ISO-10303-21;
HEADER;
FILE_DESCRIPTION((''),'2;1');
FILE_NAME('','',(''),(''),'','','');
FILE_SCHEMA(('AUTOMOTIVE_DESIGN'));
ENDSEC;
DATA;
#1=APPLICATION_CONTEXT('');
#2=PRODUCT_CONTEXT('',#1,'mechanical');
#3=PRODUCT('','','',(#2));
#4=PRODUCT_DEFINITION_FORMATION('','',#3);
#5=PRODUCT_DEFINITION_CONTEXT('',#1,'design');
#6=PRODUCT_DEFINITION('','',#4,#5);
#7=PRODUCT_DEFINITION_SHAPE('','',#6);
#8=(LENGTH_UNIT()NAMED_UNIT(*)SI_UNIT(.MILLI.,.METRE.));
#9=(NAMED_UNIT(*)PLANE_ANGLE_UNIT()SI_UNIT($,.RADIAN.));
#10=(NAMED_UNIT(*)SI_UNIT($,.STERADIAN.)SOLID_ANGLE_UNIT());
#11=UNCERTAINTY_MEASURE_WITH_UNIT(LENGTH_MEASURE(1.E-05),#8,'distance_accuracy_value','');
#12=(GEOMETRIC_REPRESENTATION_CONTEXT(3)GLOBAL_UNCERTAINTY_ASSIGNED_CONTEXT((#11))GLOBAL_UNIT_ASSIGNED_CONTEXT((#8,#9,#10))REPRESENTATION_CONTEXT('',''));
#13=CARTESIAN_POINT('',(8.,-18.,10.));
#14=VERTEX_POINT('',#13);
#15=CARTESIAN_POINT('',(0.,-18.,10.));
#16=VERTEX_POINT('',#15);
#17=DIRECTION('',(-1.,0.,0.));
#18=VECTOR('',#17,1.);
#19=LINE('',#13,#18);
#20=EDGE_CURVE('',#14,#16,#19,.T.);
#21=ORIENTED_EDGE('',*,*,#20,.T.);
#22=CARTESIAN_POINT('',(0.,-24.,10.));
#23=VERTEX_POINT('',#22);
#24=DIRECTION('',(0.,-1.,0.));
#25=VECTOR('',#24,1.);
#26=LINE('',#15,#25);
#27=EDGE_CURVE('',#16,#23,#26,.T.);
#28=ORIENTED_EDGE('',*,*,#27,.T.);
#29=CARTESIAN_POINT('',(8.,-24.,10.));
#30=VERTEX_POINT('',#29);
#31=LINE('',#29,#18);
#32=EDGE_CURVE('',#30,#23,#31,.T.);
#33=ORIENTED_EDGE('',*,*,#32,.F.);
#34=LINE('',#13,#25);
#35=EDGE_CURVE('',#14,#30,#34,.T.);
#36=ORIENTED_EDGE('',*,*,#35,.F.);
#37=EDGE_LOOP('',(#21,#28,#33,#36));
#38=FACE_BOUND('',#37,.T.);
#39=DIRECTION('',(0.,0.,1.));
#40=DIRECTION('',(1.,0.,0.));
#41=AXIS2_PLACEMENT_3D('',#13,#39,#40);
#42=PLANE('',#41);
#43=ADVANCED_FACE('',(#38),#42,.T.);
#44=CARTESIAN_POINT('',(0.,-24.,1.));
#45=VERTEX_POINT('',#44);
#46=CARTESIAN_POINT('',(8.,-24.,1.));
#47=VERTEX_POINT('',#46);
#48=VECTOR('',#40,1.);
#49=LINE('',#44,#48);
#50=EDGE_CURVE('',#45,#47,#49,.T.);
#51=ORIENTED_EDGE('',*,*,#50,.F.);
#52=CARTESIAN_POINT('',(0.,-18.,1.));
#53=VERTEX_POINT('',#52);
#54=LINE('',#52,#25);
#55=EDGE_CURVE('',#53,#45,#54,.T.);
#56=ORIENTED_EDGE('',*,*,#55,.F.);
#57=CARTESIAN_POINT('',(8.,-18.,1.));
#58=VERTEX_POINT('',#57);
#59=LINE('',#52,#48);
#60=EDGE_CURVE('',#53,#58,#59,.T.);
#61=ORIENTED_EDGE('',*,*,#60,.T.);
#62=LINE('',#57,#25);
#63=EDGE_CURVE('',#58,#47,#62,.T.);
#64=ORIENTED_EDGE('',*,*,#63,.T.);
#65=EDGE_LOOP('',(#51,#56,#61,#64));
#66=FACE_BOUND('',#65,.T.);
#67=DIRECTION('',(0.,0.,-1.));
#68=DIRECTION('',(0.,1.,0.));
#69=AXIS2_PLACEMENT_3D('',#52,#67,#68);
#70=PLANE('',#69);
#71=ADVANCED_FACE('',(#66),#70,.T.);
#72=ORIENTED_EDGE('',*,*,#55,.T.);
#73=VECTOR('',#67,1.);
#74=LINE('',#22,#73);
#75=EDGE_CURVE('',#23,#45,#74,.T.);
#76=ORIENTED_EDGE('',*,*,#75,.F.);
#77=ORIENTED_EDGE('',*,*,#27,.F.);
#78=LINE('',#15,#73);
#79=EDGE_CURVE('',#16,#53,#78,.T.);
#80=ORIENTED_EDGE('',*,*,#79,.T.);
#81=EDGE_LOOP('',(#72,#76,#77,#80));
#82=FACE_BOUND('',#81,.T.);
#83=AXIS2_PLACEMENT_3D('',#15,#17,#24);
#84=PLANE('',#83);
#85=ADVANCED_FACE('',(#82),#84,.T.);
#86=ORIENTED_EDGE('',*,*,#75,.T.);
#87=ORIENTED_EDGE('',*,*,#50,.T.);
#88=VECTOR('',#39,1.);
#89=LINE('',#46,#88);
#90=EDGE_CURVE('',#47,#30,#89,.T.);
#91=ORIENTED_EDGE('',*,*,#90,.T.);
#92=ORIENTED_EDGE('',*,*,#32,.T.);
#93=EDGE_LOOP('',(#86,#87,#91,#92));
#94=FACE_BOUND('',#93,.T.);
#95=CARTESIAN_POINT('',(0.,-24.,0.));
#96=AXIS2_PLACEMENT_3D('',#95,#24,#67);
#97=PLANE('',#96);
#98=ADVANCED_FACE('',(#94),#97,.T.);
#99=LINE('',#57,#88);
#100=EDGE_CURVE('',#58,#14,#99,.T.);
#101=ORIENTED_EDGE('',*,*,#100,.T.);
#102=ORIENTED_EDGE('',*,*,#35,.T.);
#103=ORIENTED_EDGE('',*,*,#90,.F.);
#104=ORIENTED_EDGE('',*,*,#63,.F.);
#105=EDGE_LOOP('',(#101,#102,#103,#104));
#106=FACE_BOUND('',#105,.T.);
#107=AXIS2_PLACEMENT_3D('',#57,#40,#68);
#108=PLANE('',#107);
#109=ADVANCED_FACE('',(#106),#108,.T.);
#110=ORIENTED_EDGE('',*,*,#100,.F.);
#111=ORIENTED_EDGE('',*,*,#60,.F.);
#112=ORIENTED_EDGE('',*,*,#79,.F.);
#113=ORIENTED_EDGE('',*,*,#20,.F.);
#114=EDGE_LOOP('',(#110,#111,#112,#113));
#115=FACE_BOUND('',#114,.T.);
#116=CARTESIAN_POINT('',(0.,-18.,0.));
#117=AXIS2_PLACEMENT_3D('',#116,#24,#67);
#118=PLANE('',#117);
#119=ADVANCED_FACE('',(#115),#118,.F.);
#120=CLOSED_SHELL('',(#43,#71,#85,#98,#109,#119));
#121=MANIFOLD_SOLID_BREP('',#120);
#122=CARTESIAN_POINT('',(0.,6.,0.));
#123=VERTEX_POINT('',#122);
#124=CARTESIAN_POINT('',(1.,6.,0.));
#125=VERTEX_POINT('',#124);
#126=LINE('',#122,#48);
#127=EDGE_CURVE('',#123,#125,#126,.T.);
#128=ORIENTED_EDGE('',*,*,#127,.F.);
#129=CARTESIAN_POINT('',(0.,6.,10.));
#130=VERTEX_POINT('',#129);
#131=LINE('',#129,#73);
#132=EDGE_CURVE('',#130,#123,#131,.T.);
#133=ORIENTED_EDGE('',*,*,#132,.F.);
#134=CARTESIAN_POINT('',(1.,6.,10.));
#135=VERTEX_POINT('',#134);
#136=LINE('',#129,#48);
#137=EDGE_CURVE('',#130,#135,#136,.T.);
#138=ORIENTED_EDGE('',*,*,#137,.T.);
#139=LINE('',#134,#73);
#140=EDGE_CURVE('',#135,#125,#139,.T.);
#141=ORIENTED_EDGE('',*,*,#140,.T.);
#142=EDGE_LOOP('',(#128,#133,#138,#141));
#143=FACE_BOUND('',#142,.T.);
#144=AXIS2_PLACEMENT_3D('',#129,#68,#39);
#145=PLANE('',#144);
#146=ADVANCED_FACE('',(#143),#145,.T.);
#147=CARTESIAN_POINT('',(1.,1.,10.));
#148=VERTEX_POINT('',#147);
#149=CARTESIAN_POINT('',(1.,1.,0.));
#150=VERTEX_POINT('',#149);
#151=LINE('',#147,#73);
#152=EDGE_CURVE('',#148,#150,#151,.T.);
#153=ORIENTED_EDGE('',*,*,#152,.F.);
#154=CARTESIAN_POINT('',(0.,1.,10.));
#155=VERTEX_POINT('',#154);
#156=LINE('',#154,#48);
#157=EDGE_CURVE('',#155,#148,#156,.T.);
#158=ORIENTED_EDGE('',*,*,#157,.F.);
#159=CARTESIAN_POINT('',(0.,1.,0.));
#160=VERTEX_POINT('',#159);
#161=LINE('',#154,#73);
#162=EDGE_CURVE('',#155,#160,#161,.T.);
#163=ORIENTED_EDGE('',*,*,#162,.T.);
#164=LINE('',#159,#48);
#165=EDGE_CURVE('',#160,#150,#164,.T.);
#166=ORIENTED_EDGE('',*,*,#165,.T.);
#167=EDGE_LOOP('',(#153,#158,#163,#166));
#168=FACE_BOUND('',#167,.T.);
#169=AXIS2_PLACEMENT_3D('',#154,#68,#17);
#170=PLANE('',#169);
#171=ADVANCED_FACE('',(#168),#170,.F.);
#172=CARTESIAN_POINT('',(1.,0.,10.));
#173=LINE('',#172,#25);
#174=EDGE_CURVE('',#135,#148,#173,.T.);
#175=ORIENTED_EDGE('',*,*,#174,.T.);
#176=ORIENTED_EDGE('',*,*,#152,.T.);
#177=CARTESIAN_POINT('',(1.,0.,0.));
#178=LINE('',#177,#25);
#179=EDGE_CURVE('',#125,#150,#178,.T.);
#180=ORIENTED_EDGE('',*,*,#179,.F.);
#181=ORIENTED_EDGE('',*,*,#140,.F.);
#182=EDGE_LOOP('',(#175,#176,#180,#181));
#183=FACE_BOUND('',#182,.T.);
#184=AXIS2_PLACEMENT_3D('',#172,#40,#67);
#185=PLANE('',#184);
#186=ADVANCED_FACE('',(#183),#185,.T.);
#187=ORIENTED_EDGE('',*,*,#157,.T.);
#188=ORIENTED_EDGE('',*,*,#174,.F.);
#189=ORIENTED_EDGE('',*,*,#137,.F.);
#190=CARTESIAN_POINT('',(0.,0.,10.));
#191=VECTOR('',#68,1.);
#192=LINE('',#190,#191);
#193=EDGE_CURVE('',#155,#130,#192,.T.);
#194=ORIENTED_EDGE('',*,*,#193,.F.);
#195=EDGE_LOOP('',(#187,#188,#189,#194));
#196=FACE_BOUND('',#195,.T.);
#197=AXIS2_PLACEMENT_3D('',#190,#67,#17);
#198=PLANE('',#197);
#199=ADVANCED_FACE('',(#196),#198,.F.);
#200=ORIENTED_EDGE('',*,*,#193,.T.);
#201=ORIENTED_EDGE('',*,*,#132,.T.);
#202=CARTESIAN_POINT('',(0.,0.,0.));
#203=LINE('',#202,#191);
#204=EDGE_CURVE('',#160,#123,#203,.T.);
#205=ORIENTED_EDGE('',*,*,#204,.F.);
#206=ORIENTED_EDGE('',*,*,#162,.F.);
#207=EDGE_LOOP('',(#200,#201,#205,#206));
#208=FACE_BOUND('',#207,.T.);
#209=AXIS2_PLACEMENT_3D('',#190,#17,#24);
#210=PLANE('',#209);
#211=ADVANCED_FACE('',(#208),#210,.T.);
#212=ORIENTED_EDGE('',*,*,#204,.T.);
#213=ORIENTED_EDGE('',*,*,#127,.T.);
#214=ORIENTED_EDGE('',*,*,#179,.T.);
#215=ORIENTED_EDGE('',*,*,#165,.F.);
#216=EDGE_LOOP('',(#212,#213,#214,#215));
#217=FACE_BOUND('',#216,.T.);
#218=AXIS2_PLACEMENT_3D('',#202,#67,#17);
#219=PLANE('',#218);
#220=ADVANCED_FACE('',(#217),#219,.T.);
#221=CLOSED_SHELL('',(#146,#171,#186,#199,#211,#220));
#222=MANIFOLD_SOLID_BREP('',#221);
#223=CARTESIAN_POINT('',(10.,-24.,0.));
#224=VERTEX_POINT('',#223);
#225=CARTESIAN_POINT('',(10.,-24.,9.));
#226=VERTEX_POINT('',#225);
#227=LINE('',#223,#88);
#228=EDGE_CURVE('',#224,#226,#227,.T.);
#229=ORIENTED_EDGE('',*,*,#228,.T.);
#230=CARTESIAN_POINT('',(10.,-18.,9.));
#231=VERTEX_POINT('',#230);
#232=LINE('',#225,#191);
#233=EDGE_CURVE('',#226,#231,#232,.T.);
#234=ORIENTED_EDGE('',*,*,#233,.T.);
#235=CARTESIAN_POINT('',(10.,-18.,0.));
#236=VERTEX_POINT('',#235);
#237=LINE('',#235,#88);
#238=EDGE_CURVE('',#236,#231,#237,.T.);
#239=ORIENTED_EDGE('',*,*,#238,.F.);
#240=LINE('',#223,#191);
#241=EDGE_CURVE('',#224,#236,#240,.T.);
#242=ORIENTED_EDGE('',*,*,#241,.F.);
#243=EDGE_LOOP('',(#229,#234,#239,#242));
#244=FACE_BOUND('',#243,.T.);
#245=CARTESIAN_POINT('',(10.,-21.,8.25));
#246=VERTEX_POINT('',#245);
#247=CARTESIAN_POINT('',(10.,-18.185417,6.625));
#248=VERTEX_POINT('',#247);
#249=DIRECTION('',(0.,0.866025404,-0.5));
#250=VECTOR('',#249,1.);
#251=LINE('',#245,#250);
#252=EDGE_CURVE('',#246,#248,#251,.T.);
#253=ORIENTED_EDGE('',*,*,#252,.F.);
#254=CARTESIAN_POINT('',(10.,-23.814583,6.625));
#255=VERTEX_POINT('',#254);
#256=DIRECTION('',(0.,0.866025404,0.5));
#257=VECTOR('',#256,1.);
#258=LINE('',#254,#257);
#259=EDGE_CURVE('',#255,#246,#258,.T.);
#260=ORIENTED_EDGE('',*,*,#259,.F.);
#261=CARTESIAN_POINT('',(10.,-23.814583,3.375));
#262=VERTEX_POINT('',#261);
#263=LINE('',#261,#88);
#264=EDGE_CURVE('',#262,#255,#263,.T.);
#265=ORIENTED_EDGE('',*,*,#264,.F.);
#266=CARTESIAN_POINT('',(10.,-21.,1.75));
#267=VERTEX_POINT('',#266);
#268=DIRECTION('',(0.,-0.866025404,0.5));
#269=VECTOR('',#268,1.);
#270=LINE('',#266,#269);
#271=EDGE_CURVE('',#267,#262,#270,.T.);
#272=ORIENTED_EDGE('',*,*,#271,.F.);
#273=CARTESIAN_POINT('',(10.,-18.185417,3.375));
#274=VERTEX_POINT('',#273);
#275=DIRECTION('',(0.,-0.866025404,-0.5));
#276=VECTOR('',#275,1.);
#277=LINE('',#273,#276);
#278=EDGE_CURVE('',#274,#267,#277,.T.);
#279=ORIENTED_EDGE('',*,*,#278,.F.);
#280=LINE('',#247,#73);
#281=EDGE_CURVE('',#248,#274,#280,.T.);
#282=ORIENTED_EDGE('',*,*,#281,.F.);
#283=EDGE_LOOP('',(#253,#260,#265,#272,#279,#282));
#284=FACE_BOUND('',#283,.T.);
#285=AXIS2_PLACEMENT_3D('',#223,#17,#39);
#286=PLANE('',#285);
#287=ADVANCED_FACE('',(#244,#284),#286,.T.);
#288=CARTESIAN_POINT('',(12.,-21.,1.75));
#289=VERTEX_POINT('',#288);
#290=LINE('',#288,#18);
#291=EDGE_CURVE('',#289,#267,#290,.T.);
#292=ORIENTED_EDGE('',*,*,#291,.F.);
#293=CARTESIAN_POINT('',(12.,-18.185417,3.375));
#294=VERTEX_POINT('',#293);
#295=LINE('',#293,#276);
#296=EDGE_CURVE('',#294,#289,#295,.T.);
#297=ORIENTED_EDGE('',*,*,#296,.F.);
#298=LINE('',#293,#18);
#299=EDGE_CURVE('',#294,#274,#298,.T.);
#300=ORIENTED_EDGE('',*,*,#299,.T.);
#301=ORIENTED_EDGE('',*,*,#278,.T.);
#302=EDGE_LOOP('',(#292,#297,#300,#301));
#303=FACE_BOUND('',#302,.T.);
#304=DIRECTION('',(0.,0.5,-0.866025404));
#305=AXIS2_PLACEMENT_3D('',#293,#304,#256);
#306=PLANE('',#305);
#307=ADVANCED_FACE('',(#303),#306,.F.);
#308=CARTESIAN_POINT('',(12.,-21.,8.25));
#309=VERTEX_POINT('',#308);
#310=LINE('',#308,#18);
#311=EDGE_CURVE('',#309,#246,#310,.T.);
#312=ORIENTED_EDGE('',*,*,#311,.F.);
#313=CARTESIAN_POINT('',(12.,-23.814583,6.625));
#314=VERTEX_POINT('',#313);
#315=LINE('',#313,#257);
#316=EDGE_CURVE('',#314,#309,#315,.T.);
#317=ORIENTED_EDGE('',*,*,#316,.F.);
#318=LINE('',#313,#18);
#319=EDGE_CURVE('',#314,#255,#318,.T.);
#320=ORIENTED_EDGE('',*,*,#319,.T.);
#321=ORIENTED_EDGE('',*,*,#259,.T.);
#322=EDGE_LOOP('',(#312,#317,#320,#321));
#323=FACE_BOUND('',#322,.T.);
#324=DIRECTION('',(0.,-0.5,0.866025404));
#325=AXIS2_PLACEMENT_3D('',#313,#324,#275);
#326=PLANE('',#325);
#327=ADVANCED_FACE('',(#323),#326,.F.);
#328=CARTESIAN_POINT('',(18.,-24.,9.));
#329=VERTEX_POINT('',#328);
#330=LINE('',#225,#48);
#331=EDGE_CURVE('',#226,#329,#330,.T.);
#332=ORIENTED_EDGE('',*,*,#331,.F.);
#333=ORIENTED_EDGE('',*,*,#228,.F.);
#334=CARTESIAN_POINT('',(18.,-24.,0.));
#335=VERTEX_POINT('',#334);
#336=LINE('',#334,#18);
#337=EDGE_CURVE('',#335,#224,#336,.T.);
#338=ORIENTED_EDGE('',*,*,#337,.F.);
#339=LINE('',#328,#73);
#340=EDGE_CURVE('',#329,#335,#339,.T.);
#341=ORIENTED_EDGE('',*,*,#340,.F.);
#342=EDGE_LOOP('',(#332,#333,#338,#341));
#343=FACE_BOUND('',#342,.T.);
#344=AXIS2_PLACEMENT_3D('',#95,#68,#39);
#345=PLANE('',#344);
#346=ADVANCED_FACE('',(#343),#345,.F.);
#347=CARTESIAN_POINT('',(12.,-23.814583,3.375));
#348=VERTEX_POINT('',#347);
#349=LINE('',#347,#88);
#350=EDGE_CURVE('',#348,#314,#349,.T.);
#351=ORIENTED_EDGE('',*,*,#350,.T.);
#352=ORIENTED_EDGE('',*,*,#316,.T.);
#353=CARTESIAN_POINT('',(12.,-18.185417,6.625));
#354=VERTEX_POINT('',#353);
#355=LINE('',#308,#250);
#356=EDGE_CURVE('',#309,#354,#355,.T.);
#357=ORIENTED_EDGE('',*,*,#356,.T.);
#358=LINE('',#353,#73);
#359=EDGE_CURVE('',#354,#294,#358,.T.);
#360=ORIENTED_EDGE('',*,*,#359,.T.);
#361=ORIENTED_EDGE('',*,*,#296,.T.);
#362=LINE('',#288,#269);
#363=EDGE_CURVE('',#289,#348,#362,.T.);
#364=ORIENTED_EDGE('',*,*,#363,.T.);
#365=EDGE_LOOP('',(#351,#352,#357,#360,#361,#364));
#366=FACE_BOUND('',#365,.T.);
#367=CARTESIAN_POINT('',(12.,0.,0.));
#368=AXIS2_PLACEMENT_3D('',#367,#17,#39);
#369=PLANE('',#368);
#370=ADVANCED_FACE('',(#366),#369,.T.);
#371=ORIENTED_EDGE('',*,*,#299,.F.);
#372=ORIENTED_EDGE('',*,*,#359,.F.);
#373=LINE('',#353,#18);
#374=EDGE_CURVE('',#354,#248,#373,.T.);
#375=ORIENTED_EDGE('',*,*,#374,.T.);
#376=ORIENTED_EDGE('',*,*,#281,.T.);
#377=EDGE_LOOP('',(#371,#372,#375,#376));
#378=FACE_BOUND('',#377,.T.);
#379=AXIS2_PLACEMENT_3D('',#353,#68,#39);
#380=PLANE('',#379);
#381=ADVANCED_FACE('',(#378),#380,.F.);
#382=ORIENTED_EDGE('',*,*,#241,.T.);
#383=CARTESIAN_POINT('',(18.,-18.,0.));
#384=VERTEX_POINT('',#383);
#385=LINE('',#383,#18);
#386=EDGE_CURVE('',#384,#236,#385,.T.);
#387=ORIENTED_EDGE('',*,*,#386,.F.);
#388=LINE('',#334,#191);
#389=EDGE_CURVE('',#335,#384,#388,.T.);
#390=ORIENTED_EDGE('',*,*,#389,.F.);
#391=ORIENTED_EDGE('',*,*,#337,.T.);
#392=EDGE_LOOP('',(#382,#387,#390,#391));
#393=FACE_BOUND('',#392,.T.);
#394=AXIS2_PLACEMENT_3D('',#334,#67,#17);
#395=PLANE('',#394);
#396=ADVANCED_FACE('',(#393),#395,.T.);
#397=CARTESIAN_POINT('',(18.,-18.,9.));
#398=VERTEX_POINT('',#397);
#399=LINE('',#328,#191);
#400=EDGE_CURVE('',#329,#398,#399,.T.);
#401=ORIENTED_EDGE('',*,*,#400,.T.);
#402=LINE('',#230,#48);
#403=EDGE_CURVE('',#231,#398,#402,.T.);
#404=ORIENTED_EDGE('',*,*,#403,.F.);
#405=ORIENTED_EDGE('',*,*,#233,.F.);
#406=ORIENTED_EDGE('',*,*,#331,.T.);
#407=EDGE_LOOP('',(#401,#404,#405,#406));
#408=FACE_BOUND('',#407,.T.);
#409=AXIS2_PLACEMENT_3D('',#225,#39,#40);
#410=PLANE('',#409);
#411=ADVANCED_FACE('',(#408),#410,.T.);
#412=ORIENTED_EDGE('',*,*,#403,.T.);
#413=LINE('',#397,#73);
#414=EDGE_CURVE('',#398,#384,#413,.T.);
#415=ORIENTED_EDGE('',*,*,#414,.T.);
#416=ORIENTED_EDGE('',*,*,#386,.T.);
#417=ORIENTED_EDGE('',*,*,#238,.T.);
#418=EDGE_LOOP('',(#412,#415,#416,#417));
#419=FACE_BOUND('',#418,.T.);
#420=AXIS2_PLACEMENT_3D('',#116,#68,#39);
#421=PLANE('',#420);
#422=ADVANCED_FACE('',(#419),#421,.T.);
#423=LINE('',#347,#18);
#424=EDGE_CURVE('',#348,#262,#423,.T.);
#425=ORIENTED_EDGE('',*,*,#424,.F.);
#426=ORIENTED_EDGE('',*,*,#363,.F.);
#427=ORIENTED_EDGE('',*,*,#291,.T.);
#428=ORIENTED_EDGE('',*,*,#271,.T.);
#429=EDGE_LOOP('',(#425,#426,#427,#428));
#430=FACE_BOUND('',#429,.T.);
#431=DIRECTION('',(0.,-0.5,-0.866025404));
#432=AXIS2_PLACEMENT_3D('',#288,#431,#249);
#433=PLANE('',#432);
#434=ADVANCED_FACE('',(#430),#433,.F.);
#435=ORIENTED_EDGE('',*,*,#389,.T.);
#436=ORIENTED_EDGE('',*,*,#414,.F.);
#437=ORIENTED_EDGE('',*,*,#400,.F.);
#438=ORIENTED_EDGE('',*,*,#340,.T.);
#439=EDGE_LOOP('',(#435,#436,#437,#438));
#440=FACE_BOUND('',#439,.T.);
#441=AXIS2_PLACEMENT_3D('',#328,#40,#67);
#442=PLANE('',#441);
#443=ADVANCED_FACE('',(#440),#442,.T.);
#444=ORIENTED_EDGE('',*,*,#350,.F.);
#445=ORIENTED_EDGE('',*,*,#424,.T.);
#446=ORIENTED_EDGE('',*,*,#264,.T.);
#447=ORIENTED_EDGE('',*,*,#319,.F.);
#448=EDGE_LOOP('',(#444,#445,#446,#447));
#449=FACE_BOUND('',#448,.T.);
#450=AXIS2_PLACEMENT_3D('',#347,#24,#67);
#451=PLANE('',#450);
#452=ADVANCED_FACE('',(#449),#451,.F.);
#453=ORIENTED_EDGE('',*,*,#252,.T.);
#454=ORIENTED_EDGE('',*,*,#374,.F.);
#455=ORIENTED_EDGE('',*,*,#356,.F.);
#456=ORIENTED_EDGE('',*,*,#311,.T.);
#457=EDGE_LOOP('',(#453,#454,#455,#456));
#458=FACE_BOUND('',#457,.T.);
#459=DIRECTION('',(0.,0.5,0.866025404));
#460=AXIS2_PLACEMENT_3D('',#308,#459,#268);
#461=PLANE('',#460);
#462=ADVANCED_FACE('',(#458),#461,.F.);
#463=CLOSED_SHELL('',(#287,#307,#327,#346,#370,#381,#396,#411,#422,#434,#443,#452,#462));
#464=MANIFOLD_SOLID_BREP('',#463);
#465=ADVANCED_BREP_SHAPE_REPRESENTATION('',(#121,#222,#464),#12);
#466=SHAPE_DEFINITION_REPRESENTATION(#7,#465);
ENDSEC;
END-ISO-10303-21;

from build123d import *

# Parameters (mm, degrees)
SKETCH5_W           = 8
SKETCH5_H           = 9
BOSS_EXTRUDE2_DEPTH = 6
SKETCH10_W          = 8
SKETCH10_H          = 9
BOSS_EXTRUDE3_DEPTH = 6
CUT_EXTRUDE1_DEPTH  = 2
SKETCH17_W          = 1
SKETCH17_H          = 5
BOSS_EXTRUDE4_DEPTH = 10


with BuildPart() as part:
    # Sketch5 → Boss-Extrude2 (new body)
    with BuildSketch(Plane(origin=(0, -24, 0), x_dir=(-1, 0, 0), z_dir=(0, -1, 0))):
        with Locations((-4, -5.5)):
            Rectangle(SKETCH5_W, SKETCH5_H)
    extrude(amount=-BOSS_EXTRUDE2_DEPTH)


with BuildPart() as body_2:
    # Sketch10 → Boss-Extrude3 (new body)
    with BuildSketch(Plane(origin=(0, -18, 0), x_dir=(1, 0, 0), z_dir=(0, 1, 0))):
        with Locations((14, -4.5)):
            Rectangle(SKETCH10_W, SKETCH10_H)
    extrude(amount=-BOSS_EXTRUDE3_DEPTH)

    # Sketch11 → Cut-Extrude1 (cut)
    with BuildSketch(Plane.ZY.offset(-10)):
        Polygon((8.25, -21), (6.625, -18.185417438), (3.375, -18.185417438), (1.75, -21), (3.375, -23.814582562), (6.625, -23.814582562), align=None)
    extrude(amount=-CUT_EXTRUDE1_DEPTH, mode=Mode.SUBTRACT)


with BuildPart() as body_3:
    # Sketch17 → Boss-Extrude4 (new body)
    with BuildSketch(Plane(origin=(0, 0, 0), x_dir=(-1, 0, 0), z_dir=(0, 0, -1))):
        with Locations((-0.5, 3.5)):
            Rectangle(SKETCH17_W, SKETCH17_H)
    extrude(amount=-BOSS_EXTRUDE4_DEPTH)


solid = Compound([part.part, body_2.part, body_3.part])
